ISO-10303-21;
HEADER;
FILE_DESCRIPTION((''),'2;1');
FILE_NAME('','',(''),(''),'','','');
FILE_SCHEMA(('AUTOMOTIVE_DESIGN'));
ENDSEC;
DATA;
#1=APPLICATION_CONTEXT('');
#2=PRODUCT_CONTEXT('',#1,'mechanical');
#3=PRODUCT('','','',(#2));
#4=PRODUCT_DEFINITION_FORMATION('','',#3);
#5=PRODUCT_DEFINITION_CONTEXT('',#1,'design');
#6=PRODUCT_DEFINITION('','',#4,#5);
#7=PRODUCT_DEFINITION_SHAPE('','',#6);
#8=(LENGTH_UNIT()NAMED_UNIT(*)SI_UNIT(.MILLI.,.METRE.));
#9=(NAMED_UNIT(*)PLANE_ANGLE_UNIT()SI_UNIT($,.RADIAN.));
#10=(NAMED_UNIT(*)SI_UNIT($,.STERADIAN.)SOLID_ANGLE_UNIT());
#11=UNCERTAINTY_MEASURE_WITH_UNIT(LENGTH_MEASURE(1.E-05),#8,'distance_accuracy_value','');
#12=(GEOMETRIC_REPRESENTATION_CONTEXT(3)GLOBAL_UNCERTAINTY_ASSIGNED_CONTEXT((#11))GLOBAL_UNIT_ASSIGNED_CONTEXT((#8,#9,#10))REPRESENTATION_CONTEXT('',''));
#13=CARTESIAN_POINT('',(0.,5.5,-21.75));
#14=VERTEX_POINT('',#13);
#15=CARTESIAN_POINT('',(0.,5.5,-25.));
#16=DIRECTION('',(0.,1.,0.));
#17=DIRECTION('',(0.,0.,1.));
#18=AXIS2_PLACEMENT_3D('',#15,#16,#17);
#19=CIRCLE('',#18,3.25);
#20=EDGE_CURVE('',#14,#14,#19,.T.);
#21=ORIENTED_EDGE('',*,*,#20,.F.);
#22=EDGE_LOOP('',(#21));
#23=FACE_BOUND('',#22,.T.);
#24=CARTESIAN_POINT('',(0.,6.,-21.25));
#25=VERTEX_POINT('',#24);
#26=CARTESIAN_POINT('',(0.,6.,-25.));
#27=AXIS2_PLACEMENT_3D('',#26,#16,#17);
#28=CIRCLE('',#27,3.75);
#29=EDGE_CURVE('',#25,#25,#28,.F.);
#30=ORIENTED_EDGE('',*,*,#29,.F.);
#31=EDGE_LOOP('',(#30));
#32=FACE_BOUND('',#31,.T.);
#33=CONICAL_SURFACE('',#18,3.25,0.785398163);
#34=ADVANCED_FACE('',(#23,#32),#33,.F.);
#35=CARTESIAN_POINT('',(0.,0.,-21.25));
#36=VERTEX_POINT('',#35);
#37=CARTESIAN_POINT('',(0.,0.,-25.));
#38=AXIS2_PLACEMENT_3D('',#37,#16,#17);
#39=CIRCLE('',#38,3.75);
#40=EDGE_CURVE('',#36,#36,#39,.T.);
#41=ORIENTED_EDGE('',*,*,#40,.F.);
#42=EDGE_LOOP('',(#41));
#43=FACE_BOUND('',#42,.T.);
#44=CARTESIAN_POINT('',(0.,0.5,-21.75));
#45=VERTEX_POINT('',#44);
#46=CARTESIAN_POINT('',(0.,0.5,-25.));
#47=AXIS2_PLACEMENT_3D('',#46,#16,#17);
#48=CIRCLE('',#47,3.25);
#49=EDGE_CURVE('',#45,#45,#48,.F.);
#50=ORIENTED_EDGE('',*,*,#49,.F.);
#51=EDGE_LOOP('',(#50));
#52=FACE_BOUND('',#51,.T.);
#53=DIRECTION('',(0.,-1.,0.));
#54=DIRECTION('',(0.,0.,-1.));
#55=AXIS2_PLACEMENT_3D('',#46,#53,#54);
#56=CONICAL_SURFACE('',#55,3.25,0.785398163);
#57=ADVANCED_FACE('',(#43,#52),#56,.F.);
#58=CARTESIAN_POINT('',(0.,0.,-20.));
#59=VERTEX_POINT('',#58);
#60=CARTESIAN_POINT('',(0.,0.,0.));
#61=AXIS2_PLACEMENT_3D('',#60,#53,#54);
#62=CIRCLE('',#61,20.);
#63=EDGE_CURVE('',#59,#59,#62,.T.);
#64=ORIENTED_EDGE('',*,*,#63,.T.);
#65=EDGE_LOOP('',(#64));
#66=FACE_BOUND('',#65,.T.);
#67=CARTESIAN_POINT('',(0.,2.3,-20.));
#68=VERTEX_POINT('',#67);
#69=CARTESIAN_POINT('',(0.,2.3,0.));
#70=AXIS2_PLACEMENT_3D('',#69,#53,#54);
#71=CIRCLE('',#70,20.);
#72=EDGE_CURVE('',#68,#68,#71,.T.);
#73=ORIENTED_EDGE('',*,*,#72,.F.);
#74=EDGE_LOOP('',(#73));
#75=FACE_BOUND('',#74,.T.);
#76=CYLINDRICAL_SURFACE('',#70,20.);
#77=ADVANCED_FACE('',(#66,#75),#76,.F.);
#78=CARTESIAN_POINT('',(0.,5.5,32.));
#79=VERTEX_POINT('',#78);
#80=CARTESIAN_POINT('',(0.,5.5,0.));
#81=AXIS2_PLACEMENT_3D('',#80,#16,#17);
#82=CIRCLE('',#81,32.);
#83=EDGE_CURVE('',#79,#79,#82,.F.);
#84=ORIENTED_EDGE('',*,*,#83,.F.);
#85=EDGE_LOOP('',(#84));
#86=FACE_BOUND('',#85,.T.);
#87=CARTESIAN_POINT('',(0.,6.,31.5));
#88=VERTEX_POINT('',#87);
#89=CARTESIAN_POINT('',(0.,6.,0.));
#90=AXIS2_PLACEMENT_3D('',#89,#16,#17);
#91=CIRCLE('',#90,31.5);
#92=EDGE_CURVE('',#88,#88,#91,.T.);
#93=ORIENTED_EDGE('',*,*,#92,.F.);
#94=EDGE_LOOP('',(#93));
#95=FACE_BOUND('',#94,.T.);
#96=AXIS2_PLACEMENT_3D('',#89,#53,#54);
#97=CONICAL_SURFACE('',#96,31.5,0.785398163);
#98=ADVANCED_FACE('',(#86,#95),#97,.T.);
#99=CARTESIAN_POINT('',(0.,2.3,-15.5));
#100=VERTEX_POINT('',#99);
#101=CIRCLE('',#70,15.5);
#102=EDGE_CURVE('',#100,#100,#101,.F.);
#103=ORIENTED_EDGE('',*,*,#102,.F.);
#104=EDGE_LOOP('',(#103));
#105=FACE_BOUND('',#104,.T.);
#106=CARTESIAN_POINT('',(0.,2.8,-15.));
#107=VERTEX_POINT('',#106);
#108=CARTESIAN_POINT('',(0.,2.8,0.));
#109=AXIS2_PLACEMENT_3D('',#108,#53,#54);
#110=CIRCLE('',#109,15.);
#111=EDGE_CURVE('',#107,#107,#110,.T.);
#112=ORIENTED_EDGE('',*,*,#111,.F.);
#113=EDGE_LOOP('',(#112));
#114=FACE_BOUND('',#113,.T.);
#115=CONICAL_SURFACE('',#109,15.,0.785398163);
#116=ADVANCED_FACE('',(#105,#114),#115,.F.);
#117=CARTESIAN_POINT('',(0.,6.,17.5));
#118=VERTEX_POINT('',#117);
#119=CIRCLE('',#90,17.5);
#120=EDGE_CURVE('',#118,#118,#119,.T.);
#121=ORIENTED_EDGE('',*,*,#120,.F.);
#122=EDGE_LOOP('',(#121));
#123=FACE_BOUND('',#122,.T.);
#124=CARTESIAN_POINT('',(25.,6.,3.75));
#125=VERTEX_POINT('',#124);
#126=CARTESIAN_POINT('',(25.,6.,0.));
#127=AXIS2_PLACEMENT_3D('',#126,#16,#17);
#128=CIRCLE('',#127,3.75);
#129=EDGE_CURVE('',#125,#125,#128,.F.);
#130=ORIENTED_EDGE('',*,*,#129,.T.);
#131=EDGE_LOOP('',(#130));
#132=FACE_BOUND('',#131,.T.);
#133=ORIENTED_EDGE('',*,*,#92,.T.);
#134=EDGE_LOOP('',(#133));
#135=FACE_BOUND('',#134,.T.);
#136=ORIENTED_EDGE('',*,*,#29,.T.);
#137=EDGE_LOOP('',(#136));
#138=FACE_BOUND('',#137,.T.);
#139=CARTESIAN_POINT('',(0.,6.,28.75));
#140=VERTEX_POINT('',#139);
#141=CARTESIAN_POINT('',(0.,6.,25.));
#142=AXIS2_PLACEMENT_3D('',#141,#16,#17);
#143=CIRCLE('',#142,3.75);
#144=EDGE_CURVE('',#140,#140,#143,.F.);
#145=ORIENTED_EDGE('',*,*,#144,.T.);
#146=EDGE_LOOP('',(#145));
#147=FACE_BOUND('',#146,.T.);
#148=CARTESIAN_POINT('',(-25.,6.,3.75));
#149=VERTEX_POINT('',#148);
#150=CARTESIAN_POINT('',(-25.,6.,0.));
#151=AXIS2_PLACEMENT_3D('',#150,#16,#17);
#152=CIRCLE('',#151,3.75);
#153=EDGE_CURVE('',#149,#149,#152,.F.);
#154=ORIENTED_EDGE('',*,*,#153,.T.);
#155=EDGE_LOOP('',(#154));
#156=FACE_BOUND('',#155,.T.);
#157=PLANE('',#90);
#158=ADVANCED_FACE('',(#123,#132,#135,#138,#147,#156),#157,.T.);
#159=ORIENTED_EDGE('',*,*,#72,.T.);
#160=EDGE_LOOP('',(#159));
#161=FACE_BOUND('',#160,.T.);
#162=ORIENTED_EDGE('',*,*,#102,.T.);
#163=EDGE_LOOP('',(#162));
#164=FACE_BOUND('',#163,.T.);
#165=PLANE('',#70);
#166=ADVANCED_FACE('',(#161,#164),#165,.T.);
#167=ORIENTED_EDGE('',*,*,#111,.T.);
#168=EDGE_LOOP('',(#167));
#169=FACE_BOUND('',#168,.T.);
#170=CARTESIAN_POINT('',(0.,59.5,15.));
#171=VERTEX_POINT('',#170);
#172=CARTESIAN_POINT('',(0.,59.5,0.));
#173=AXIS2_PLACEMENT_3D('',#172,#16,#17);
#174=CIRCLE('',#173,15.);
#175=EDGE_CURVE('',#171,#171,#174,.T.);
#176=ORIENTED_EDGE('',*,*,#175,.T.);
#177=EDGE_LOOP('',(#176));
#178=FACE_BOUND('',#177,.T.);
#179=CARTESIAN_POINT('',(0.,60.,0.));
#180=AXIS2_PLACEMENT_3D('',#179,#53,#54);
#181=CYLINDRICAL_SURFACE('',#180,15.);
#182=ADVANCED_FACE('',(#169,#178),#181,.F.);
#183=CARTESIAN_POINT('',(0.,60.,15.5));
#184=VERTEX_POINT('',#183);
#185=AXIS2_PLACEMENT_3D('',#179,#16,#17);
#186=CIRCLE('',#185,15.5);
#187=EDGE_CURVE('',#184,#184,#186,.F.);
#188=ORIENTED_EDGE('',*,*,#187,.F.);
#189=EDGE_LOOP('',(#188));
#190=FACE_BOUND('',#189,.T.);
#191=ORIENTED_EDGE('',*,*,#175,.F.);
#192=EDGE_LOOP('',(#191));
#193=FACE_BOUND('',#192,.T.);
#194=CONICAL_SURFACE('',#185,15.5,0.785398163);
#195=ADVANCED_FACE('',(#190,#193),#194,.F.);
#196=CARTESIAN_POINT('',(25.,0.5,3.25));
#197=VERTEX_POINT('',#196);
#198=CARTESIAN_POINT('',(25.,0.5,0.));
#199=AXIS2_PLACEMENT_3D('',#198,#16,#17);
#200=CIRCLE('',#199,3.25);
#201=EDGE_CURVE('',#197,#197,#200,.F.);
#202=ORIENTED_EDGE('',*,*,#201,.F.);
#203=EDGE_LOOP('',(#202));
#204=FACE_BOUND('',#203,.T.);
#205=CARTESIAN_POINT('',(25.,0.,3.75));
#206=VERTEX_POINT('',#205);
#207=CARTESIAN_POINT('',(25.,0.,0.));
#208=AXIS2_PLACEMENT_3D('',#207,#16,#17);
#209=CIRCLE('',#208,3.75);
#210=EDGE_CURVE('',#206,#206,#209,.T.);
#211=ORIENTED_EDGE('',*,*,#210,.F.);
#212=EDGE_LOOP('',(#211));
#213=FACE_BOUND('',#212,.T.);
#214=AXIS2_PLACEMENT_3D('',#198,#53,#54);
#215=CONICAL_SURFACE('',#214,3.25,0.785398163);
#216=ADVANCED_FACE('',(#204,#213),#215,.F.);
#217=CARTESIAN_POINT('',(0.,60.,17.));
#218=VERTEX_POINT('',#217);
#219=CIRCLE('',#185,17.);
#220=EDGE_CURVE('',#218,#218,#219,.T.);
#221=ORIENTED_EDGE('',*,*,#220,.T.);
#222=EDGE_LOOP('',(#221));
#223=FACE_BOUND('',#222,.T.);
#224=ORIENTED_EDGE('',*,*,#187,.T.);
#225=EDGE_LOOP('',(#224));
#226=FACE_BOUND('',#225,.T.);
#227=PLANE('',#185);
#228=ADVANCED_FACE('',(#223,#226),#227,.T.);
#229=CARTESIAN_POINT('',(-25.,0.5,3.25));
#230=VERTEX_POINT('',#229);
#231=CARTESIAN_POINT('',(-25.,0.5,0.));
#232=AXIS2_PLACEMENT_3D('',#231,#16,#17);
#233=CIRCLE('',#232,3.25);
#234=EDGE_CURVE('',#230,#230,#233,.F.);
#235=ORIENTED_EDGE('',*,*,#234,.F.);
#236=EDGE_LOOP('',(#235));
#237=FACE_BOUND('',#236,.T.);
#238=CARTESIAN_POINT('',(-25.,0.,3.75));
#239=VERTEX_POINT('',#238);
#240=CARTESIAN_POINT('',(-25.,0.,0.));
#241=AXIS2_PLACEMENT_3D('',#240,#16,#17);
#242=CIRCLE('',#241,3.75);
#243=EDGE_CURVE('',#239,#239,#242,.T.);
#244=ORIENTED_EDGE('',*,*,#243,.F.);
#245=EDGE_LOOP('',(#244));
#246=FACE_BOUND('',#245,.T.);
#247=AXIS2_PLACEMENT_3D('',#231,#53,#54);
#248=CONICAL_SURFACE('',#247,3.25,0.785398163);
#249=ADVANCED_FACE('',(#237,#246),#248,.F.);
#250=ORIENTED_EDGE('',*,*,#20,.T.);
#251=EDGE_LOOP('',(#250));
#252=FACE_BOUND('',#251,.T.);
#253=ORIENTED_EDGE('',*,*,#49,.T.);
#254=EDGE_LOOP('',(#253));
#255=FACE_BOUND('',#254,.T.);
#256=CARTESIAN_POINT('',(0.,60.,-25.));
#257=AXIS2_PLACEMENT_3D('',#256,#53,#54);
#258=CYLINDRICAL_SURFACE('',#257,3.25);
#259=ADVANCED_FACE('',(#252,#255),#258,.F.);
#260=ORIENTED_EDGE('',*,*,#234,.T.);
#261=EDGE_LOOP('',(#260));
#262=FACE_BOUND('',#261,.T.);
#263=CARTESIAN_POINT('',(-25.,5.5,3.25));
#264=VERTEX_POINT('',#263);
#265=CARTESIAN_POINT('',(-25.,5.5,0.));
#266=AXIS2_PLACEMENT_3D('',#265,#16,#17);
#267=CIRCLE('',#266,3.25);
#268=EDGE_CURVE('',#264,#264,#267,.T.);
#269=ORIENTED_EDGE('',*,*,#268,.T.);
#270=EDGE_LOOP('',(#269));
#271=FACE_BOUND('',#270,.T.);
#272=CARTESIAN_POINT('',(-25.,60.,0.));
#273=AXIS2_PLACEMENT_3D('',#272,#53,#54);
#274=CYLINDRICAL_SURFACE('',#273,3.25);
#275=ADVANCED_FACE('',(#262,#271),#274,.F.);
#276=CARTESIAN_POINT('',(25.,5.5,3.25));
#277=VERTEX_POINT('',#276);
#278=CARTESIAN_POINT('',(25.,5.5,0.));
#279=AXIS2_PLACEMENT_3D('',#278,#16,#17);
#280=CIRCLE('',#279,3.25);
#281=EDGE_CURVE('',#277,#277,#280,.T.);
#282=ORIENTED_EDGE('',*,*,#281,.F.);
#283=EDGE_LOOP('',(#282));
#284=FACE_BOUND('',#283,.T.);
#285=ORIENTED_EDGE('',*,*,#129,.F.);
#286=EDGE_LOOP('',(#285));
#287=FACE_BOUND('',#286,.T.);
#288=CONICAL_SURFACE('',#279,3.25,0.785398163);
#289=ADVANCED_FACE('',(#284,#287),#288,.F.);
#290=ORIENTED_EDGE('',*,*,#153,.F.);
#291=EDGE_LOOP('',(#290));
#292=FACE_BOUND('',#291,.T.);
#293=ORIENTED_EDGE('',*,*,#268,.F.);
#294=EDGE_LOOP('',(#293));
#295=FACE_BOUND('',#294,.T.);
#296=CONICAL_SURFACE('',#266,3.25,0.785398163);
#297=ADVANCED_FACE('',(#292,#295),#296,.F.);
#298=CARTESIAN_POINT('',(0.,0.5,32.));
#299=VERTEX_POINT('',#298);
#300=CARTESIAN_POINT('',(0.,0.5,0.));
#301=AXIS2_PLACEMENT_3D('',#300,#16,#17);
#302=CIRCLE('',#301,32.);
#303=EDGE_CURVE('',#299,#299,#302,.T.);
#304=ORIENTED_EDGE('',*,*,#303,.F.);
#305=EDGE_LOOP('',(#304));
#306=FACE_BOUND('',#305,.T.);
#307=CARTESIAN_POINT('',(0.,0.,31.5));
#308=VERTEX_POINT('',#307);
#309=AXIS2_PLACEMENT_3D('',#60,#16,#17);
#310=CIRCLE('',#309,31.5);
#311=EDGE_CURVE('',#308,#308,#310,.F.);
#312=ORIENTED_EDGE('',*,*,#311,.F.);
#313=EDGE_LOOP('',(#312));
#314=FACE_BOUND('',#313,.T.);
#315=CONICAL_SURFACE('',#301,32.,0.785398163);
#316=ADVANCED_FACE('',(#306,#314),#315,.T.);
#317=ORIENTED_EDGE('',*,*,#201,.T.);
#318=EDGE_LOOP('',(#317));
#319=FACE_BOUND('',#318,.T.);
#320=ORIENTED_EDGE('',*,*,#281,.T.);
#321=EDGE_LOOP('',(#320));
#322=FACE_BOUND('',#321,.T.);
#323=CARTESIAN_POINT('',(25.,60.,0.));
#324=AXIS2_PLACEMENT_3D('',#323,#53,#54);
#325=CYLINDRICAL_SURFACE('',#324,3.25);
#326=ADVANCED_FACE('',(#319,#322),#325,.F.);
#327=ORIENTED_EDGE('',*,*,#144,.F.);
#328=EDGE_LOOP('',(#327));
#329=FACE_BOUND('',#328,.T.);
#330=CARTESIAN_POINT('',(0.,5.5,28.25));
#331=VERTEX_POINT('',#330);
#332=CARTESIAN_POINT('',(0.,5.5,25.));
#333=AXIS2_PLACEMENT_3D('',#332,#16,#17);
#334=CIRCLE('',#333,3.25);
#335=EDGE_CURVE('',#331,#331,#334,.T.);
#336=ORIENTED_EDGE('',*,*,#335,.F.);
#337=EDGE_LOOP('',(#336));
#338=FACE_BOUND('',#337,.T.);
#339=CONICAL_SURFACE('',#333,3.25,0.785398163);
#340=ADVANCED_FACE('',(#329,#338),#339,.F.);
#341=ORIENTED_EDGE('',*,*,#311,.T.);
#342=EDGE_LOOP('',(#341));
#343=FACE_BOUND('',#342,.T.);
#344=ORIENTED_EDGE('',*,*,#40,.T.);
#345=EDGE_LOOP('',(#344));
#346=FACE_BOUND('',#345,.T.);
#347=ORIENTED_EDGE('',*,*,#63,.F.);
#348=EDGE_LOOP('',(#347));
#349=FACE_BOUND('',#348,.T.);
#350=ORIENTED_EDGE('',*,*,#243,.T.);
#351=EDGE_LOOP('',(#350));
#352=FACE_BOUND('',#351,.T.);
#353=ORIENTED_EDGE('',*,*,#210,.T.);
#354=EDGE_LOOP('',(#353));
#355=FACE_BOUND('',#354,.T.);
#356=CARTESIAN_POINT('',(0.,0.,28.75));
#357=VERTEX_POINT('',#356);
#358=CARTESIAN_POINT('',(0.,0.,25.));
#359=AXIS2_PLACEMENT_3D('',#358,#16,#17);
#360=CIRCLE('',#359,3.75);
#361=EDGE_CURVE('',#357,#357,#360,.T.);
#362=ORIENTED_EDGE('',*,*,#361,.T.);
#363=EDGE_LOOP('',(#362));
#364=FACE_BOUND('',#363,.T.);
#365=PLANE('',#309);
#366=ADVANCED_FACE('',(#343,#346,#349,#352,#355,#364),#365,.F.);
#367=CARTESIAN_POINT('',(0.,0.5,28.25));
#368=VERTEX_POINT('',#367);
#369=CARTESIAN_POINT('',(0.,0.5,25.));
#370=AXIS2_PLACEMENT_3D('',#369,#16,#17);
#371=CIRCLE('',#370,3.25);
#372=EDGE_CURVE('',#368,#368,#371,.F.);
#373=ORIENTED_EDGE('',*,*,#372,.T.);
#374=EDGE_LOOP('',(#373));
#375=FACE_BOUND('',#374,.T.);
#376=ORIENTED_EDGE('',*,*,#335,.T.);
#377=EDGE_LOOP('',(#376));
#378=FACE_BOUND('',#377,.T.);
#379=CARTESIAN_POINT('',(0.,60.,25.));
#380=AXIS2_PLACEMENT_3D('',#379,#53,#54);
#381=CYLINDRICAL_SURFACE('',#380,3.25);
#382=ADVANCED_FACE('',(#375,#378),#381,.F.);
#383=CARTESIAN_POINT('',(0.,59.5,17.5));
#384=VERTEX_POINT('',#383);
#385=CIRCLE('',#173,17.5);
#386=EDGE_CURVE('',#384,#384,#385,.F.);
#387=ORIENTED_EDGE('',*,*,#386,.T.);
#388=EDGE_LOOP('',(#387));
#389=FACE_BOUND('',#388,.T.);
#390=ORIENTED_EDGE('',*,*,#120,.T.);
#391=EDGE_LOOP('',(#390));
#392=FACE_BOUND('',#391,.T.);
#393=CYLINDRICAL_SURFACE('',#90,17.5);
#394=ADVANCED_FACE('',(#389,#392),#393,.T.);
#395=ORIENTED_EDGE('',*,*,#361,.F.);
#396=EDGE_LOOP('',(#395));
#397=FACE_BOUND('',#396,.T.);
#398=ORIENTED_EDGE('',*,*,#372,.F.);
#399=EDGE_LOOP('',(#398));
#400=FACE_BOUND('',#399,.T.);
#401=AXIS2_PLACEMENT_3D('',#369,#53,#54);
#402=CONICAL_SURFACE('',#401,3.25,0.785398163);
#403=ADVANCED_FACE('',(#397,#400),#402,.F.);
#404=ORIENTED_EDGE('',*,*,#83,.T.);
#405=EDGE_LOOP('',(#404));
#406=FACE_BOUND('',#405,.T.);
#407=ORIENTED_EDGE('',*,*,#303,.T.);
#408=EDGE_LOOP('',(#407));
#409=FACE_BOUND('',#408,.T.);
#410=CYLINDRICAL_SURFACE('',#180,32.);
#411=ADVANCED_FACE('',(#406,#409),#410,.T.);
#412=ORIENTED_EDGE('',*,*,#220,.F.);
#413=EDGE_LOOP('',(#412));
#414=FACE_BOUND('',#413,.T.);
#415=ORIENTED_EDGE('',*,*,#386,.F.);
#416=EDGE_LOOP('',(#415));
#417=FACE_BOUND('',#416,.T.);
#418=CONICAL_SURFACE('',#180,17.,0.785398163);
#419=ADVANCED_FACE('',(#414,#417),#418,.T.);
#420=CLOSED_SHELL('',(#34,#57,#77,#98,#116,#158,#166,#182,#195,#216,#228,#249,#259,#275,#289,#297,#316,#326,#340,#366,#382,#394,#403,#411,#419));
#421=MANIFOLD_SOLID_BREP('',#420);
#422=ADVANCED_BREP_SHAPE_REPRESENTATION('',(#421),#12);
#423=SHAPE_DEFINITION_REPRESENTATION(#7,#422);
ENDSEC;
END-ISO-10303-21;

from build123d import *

# Parameters (mm, degrees)
SKETCH1_R           = 32
BOSS_EXTRUDE1_DEPTH = 60
SKETCH2_OUTSIDE_W   = 87.718
SKETCH2_OUTSIDE_H   = 87.718
SKETCH2_OUTSIDE_R   = 17.5
CUT_EXTRUDE1_DEPTH  = 54
SKETCH4_R           = 20
CUT_EXTRUDE2_DEPTH  = 2.3
SKETCH5_R           = 15
CUT_EXTRUDE3_DEPTH  = 74.3300075
CHAMFER1_SIZE       = 0.5
SKETCH6_R           = 3.25
CUT_EXTRUDE4_DEPTH  = 76.153176912
CHAMFER2_SIZE       = 0.5


with BuildPart() as part:
    # Sketch1 → Boss-Extrude1 (new body)
    with BuildSketch(Plane(origin=(0, 0, 0), x_dir=(1, 0, 0), z_dir=(0, 1, 0))):
        with Locations(Location((0, 0, 0), (0, 0, 270))):
            Circle(SKETCH1_R)
    extrude(amount=BOSS_EXTRUDE1_DEPTH)

    # Sketch2 outside → Cut-Extrude1 (cut)
    with BuildSketch(Plane(origin=(0, 60, 0), x_dir=(1, 0, 0), z_dir=(0, 1, 0))):
        Rectangle(SKETCH2_OUTSIDE_W, SKETCH2_OUTSIDE_H)
        with Locations(Location((0, 0, 0), (0, 0, 270))):
            Circle(SKETCH2_OUTSIDE_R, mode=Mode.SUBTRACT)
    extrude(amount=-CUT_EXTRUDE1_DEPTH, mode=Mode.SUBTRACT)

    # Sketch4 → Cut-Extrude2 (cut)
    with BuildSketch(Plane.XZ):
        with Locations(Location((0, 0, 0), (0, 0, 270))):
            Circle(SKETCH4_R)
    extrude(amount=-CUT_EXTRUDE2_DEPTH, mode=Mode.SUBTRACT)

    # Sketch5 → Cut-Extrude3 (cut, through all)
    with BuildSketch(Plane.XZ.offset(-2.3)):
        with Locations(Location((0, 0, 0), (0, 0, 270))):
            Circle(SKETCH5_R)
    extrude(amount=-CUT_EXTRUDE3_DEPTH, mode=Mode.SUBTRACT)

    # Chamfer1
    chamfer1_edges = [part.edges().sort_by_distance(p)[0] for p in [
        (0, 60, -17.5),
        (0, 0, -32),
        (0, 60, 15),
        (0, 2.3, 15),
        (0, 6, -32),
    ]]
    chamfer(chamfer1_edges, length=CHAMFER1_SIZE)

    # Sketch6 → Cut-Extrude4 (cut, through all)
    with BuildSketch(Plane.XZ):
        with Locations(Location((25, 0, 0), (0, 0, 270))):
            Circle(SKETCH6_R)
        with Locations(Location((0, -25, 0), (0, 0, 270))):
            Circle(SKETCH6_R)
        with Locations(Location((-25, 0, 0), (0, 0, 270))):
            Circle(SKETCH6_R)
        with Locations(Location((0, 25, 0), (0, 0, 270))):
            Circle(SKETCH6_R)
    extrude(amount=-CUT_EXTRUDE4_DEPTH, mode=Mode.SUBTRACT)

    # Chamfer2
    chamfer2_edges = [part.edges().sort_by_distance(p)[0] for p in [
        (25, 6, 3.25),
        (25, 0, 3.25),
        (0, 6, -21.75),
        (0, 0, -21.75),
        (-25, 6, 3.25),
        (-25, 0, 3.25),
        (0, 6, 28.25),
        (0, 0, 28.25),
    ]]
    chamfer(chamfer2_edges, length=CHAMFER2_SIZE)


solid = part.part
